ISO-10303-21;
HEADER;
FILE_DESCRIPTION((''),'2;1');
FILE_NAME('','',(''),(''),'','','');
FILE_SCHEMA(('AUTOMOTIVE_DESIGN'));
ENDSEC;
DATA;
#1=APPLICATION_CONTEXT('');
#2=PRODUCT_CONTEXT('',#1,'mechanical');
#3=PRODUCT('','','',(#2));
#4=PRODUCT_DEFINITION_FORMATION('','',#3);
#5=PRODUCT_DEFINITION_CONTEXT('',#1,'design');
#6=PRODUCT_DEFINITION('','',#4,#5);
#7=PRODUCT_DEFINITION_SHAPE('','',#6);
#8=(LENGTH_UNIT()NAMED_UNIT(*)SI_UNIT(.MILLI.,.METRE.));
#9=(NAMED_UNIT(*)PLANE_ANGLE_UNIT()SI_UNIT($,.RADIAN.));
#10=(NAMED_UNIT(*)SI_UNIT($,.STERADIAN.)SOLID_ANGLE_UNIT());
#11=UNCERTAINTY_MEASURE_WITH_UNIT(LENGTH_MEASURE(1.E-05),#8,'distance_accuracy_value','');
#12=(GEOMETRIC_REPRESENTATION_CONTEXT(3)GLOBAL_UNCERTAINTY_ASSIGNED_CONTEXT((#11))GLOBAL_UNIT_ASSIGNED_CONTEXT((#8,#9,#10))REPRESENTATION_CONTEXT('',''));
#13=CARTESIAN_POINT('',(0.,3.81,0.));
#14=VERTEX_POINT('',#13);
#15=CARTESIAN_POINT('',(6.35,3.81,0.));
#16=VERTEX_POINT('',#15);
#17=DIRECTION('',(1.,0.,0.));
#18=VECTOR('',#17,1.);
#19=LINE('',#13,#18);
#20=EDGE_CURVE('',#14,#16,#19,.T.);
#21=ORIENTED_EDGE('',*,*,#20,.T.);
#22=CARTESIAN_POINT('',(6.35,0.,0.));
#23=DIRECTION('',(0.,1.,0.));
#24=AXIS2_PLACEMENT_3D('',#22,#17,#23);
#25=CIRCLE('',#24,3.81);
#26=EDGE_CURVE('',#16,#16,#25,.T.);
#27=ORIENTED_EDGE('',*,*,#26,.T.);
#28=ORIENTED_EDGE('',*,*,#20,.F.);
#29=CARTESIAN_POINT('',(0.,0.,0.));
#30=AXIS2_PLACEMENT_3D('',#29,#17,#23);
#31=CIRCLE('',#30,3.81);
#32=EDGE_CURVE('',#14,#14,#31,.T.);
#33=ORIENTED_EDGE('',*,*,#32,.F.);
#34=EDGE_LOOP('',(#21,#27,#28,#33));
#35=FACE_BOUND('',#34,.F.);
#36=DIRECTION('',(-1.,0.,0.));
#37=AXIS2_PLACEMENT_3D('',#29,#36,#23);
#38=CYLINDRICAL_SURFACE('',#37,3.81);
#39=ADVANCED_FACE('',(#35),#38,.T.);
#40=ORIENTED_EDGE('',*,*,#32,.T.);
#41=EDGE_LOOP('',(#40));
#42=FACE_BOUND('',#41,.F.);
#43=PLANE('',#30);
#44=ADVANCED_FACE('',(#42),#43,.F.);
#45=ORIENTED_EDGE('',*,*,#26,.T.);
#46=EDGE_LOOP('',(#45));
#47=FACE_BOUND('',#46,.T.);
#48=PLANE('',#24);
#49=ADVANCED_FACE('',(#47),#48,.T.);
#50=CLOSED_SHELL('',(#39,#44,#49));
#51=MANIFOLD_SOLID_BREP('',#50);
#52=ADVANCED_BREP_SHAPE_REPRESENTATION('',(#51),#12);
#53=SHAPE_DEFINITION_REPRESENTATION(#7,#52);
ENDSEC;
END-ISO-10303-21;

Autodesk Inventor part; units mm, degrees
ref_plane "YZ Plane" through (0, 0, 0) normal (1, 0, 0) x (0, 1, 0)
ref_plane "XZ Plane" through (0, 0, 0) normal (0, 1, 0) x (-1, 0, 0)
ref_plane "XY Plane" through (0, 0, 0) normal (0, 0, 1) x (1, 0, 0)
sketch "Sketch1" plane through (0, 0, 0) normal (1, 0, 0) x (0, 1, 0)
  circle A0 centre (0, 0) radius 3.81
  dimension "d0" = 7.62
extrude "Extrusion1" add sketch "Sketch1" along normal blind 6.35
